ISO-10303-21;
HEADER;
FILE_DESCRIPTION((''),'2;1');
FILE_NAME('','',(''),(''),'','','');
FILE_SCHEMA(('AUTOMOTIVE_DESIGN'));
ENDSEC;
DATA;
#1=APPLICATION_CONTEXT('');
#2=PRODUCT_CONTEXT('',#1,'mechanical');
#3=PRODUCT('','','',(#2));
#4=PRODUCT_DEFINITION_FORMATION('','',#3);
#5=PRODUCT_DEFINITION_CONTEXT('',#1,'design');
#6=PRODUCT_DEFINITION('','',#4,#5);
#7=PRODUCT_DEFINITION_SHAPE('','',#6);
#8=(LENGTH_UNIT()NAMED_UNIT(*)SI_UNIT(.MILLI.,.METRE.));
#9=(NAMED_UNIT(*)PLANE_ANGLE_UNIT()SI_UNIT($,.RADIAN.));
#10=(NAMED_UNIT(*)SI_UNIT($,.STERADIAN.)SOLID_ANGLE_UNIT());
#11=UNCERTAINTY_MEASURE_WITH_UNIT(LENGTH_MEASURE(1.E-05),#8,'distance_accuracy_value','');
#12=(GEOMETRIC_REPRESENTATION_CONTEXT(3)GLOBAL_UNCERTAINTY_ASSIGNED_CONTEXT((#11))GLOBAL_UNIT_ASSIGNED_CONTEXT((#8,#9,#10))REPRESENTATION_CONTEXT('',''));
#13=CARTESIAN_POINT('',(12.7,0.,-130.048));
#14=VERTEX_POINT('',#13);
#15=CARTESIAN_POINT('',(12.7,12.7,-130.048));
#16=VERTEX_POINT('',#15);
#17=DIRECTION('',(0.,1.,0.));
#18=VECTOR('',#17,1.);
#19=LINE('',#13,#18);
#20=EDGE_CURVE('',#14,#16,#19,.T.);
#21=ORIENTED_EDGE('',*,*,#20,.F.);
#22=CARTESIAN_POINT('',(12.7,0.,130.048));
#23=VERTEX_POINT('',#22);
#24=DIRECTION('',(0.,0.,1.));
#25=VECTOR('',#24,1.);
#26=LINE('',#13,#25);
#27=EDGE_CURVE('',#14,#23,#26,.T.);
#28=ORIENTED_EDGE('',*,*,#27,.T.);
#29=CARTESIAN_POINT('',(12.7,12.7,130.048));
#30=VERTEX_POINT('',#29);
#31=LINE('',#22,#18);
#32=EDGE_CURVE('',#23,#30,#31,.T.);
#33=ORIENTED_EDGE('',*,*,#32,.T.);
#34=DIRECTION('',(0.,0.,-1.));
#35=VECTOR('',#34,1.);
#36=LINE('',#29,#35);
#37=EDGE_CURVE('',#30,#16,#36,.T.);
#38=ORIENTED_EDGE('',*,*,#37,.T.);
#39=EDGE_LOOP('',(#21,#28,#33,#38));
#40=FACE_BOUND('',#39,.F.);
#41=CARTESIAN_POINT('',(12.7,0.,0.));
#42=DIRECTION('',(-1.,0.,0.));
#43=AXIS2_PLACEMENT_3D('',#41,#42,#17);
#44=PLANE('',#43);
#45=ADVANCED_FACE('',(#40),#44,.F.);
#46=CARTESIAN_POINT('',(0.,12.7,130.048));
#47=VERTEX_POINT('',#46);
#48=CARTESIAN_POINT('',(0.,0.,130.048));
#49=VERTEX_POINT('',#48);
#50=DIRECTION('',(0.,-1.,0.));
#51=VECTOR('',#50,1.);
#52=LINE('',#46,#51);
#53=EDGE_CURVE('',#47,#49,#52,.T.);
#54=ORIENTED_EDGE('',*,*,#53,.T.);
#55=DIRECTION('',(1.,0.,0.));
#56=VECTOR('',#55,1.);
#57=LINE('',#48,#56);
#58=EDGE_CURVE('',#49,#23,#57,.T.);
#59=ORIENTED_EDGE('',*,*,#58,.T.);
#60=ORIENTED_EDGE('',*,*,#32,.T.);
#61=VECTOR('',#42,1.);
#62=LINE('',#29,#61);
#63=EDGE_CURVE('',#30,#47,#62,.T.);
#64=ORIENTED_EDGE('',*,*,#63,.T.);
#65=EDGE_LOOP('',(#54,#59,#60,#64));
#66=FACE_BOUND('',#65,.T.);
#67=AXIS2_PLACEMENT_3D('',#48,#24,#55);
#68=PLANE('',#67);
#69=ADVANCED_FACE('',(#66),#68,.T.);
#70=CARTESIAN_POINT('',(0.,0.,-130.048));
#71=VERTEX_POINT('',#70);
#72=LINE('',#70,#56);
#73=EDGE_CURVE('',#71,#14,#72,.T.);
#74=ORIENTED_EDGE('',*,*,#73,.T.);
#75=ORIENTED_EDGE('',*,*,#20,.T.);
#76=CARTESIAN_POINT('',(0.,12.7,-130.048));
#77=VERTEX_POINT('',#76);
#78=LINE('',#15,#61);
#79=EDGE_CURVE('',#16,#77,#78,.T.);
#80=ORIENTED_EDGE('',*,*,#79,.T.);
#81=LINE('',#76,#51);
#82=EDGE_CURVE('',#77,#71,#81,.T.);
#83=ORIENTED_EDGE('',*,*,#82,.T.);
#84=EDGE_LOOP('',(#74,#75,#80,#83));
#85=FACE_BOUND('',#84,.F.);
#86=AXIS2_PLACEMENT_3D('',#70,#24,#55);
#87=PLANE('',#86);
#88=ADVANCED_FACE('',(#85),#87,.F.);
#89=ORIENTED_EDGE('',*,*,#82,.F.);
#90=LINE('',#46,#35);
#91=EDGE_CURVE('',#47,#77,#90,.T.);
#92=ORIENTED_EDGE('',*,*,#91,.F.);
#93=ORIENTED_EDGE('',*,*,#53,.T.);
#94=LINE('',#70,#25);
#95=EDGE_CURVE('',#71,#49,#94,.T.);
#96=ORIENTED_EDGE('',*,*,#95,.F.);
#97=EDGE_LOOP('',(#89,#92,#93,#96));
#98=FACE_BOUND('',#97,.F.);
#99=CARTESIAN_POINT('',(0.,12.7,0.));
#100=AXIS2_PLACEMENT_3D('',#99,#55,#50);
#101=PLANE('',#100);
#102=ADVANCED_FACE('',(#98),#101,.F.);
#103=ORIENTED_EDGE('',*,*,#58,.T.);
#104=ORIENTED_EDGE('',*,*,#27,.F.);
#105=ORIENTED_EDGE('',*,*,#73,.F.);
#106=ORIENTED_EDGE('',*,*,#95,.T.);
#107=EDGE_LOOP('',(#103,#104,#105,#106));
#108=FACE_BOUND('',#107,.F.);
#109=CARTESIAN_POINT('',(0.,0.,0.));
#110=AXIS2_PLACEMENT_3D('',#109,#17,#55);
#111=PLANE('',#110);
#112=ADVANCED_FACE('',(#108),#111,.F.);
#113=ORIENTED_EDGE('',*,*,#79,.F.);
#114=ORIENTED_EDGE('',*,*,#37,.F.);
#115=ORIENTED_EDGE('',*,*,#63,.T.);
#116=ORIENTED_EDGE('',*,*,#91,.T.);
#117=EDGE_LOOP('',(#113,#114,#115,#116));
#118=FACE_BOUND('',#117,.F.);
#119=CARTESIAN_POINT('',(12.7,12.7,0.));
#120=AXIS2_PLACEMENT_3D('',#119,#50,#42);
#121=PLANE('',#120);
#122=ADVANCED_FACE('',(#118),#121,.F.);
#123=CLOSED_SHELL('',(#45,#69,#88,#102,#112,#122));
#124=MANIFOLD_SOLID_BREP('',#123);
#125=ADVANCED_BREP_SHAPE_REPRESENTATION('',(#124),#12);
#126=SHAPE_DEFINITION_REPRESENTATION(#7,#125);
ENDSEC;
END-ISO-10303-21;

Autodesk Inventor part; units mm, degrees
ref_plane "YZ Plane" through (0, 0, 0) normal (1, 0, 0) x (0, 1, 0)
ref_plane "XZ Plane" through (0, 0, 0) normal (0, 1, 0) x (-1, 0, 0)
ref_plane "XY Plane" through (0, 0, 0) normal (0, 0, 1) x (1, 0, 0)
sketch "Sketch1" plane through (0, 0, 0) normal (0, 0, 1) x (1, 0, 0)
  line L0 (0, 0) -> (12.7, 0)
  line L1 (12.7, 0) -> (12.7, 12.7)
  line L2 (12.7, 12.7) -> (0, 12.7)
  line L3 (0, 12.7) -> (0, 0)
  dimension "d0" = 12.7
  dimension "d1" = 12.7
extrude "Extrusion1" add sketch "Sketch1" along normal mid plane 260.096
ref_plane "Work Plane2" through (0, 0, 0) normal (0, 0, 1) x (1, 0, 0)
sketch "Sketch2" plane through (0, 12.7, -130.048) normal (0, 1, 0) x (1, 0, 0)
  circle A0 centre (-130.048, 19.304) radius 273.05 construction
  line L0 (12.7, -260.096) -> (0, -260.096) projected
  line L1 (0, 0) -> (0, -260.096) projected
  circle A1 centre (-130.048, 19.304) radius 273.05
  circle A2 centre (-130.048, 19.304) radius 457.3654
  point P0 (0, -130.048)
  dimension "d4" = 546.1
  dimension "d5" = 279.4
  dimension "d6" = 130.048
properties part number "CAR_004_PoplarShorterBrace" material "Wood (Birch)"
